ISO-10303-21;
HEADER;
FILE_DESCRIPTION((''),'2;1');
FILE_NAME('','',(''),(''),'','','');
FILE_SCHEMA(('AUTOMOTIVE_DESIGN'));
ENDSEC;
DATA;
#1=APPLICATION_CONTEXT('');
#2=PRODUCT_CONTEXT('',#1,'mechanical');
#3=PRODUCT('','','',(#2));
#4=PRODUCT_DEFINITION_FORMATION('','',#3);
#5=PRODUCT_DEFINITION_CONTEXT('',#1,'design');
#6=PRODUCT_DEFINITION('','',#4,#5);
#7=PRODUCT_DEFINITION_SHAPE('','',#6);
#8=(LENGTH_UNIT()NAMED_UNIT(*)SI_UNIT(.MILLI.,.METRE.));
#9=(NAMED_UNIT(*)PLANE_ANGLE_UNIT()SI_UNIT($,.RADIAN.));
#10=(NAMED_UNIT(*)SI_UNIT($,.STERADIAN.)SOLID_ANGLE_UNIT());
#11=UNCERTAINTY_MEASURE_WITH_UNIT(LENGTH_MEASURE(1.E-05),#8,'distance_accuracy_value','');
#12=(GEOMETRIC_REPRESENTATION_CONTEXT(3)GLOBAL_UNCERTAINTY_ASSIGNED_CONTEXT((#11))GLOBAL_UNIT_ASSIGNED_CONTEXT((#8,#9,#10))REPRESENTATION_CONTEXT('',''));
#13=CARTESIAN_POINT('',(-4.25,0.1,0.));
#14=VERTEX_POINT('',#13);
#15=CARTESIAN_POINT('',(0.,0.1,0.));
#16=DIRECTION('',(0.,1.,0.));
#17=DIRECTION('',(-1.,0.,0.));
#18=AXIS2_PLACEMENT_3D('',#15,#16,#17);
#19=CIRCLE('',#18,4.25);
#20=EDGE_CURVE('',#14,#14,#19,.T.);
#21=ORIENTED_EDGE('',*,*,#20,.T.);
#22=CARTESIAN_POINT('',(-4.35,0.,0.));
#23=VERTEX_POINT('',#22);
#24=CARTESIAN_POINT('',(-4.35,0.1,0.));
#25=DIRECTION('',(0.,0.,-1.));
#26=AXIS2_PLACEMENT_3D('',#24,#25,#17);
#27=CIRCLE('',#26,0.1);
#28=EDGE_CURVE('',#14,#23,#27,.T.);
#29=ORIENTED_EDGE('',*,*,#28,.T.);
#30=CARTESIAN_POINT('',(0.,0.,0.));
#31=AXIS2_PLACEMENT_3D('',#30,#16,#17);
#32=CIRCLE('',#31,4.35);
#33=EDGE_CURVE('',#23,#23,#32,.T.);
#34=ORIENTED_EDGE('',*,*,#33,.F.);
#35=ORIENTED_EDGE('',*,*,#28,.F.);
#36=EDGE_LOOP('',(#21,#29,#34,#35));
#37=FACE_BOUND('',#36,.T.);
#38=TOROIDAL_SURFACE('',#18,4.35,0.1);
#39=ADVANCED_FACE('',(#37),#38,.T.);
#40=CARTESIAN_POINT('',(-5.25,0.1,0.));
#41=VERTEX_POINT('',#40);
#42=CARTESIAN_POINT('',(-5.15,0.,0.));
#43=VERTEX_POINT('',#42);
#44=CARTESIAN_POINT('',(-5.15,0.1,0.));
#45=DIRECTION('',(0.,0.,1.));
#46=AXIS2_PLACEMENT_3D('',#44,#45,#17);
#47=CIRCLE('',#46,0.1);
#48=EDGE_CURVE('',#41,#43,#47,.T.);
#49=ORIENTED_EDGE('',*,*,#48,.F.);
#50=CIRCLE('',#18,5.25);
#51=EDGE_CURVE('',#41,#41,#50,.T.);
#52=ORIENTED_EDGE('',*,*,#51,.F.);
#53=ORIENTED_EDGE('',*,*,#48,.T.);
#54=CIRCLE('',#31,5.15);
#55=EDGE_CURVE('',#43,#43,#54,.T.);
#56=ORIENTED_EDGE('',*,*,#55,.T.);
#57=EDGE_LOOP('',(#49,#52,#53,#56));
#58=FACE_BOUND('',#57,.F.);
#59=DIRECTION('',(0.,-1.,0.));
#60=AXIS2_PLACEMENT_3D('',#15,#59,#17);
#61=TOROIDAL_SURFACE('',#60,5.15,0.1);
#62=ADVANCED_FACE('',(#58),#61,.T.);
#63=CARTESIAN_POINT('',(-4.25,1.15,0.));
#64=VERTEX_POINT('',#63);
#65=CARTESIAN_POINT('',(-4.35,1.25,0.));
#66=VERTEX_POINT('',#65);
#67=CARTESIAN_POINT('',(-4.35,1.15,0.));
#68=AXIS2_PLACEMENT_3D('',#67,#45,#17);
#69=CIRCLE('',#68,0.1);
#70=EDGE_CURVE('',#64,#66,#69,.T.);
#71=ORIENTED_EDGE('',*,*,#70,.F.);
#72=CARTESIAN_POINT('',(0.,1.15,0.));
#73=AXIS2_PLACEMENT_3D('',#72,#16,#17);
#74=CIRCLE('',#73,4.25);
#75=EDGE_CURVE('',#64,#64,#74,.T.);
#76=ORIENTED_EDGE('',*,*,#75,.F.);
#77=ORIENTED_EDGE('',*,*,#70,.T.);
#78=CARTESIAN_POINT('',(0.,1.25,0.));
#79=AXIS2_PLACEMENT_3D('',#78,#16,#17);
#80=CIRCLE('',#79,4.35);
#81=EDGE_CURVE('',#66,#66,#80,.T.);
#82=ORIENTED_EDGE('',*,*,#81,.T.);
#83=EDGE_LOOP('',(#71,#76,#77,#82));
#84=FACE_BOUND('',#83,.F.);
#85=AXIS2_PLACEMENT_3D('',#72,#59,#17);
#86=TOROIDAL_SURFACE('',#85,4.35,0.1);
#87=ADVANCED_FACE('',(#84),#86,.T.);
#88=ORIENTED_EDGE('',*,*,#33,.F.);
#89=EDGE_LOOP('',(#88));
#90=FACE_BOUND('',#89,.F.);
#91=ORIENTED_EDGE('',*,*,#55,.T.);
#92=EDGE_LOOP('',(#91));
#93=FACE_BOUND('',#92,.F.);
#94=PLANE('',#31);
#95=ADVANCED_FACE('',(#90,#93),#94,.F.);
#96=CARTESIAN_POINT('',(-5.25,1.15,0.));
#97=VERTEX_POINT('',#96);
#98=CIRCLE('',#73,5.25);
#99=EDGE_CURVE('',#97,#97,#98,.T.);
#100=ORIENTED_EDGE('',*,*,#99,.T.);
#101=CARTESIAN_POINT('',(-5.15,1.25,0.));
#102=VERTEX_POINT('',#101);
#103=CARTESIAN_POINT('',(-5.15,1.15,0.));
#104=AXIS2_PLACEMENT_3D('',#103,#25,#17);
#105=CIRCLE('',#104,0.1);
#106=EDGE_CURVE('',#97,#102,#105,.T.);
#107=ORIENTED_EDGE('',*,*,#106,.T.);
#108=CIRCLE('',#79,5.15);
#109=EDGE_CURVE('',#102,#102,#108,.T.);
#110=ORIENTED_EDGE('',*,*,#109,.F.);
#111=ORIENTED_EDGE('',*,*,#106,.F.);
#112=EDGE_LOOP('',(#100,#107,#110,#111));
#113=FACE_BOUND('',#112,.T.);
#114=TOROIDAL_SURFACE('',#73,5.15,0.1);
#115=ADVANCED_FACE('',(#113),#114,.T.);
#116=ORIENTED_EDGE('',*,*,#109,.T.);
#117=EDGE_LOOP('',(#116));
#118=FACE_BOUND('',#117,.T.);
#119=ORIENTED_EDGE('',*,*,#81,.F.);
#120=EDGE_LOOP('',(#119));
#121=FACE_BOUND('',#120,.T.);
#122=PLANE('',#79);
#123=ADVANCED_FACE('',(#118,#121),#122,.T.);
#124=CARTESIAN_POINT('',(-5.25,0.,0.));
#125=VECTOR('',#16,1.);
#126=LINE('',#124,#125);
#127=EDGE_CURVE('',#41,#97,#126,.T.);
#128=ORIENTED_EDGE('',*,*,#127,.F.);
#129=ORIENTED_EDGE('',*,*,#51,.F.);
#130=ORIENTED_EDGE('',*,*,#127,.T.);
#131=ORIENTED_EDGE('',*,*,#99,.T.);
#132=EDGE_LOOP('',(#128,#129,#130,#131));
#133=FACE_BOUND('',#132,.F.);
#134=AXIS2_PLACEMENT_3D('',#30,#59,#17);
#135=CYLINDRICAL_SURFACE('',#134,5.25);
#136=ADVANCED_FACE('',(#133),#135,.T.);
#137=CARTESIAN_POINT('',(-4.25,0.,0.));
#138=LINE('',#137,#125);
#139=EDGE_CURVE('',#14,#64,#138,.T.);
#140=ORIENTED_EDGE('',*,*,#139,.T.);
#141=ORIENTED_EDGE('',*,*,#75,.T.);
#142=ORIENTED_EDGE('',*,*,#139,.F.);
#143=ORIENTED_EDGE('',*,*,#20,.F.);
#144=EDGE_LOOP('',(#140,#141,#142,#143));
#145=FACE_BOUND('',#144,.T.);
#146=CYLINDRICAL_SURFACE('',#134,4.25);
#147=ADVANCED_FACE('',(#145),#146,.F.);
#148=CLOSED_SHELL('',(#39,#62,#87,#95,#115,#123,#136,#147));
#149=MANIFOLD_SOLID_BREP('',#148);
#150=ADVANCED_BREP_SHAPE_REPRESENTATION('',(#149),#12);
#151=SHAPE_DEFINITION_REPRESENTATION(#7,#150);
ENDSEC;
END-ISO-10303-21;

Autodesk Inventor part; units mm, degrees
ref_plane "YZ Plane" through (0, 0, 0) normal (1, 0, 0) x (0, 1, 0)
ref_plane "XZ Plane" through (0, 0, 0) normal (0, 1, 0) x (-1, 0, 0)
ref_plane "XY Plane" through (0, 0, 0) normal (0, 0, 1) x (1, 0, 0)
sketch "Sketch1" plane through (0, 0, 0) normal (0, 1, 0) x (-1, 0, 0)
  circle A0 centre (0, 0) radius 5.25
  circle A1 centre (0, 0) radius 4.25
  dimension "d0" = 10.5
  dimension "d1" = 1
extrude "Extrusion1" add sketch "Sketch1" along normal blind 1.25
fillet "Fillet1" radius 0.1 4 edges at (5.25, 1.25, 0) (4.25, 1.25, 0) (4.25, 0, 0) (5.25, 0, 0)
properties part number "Button_ring_green" material "Acetal Resin, White"
